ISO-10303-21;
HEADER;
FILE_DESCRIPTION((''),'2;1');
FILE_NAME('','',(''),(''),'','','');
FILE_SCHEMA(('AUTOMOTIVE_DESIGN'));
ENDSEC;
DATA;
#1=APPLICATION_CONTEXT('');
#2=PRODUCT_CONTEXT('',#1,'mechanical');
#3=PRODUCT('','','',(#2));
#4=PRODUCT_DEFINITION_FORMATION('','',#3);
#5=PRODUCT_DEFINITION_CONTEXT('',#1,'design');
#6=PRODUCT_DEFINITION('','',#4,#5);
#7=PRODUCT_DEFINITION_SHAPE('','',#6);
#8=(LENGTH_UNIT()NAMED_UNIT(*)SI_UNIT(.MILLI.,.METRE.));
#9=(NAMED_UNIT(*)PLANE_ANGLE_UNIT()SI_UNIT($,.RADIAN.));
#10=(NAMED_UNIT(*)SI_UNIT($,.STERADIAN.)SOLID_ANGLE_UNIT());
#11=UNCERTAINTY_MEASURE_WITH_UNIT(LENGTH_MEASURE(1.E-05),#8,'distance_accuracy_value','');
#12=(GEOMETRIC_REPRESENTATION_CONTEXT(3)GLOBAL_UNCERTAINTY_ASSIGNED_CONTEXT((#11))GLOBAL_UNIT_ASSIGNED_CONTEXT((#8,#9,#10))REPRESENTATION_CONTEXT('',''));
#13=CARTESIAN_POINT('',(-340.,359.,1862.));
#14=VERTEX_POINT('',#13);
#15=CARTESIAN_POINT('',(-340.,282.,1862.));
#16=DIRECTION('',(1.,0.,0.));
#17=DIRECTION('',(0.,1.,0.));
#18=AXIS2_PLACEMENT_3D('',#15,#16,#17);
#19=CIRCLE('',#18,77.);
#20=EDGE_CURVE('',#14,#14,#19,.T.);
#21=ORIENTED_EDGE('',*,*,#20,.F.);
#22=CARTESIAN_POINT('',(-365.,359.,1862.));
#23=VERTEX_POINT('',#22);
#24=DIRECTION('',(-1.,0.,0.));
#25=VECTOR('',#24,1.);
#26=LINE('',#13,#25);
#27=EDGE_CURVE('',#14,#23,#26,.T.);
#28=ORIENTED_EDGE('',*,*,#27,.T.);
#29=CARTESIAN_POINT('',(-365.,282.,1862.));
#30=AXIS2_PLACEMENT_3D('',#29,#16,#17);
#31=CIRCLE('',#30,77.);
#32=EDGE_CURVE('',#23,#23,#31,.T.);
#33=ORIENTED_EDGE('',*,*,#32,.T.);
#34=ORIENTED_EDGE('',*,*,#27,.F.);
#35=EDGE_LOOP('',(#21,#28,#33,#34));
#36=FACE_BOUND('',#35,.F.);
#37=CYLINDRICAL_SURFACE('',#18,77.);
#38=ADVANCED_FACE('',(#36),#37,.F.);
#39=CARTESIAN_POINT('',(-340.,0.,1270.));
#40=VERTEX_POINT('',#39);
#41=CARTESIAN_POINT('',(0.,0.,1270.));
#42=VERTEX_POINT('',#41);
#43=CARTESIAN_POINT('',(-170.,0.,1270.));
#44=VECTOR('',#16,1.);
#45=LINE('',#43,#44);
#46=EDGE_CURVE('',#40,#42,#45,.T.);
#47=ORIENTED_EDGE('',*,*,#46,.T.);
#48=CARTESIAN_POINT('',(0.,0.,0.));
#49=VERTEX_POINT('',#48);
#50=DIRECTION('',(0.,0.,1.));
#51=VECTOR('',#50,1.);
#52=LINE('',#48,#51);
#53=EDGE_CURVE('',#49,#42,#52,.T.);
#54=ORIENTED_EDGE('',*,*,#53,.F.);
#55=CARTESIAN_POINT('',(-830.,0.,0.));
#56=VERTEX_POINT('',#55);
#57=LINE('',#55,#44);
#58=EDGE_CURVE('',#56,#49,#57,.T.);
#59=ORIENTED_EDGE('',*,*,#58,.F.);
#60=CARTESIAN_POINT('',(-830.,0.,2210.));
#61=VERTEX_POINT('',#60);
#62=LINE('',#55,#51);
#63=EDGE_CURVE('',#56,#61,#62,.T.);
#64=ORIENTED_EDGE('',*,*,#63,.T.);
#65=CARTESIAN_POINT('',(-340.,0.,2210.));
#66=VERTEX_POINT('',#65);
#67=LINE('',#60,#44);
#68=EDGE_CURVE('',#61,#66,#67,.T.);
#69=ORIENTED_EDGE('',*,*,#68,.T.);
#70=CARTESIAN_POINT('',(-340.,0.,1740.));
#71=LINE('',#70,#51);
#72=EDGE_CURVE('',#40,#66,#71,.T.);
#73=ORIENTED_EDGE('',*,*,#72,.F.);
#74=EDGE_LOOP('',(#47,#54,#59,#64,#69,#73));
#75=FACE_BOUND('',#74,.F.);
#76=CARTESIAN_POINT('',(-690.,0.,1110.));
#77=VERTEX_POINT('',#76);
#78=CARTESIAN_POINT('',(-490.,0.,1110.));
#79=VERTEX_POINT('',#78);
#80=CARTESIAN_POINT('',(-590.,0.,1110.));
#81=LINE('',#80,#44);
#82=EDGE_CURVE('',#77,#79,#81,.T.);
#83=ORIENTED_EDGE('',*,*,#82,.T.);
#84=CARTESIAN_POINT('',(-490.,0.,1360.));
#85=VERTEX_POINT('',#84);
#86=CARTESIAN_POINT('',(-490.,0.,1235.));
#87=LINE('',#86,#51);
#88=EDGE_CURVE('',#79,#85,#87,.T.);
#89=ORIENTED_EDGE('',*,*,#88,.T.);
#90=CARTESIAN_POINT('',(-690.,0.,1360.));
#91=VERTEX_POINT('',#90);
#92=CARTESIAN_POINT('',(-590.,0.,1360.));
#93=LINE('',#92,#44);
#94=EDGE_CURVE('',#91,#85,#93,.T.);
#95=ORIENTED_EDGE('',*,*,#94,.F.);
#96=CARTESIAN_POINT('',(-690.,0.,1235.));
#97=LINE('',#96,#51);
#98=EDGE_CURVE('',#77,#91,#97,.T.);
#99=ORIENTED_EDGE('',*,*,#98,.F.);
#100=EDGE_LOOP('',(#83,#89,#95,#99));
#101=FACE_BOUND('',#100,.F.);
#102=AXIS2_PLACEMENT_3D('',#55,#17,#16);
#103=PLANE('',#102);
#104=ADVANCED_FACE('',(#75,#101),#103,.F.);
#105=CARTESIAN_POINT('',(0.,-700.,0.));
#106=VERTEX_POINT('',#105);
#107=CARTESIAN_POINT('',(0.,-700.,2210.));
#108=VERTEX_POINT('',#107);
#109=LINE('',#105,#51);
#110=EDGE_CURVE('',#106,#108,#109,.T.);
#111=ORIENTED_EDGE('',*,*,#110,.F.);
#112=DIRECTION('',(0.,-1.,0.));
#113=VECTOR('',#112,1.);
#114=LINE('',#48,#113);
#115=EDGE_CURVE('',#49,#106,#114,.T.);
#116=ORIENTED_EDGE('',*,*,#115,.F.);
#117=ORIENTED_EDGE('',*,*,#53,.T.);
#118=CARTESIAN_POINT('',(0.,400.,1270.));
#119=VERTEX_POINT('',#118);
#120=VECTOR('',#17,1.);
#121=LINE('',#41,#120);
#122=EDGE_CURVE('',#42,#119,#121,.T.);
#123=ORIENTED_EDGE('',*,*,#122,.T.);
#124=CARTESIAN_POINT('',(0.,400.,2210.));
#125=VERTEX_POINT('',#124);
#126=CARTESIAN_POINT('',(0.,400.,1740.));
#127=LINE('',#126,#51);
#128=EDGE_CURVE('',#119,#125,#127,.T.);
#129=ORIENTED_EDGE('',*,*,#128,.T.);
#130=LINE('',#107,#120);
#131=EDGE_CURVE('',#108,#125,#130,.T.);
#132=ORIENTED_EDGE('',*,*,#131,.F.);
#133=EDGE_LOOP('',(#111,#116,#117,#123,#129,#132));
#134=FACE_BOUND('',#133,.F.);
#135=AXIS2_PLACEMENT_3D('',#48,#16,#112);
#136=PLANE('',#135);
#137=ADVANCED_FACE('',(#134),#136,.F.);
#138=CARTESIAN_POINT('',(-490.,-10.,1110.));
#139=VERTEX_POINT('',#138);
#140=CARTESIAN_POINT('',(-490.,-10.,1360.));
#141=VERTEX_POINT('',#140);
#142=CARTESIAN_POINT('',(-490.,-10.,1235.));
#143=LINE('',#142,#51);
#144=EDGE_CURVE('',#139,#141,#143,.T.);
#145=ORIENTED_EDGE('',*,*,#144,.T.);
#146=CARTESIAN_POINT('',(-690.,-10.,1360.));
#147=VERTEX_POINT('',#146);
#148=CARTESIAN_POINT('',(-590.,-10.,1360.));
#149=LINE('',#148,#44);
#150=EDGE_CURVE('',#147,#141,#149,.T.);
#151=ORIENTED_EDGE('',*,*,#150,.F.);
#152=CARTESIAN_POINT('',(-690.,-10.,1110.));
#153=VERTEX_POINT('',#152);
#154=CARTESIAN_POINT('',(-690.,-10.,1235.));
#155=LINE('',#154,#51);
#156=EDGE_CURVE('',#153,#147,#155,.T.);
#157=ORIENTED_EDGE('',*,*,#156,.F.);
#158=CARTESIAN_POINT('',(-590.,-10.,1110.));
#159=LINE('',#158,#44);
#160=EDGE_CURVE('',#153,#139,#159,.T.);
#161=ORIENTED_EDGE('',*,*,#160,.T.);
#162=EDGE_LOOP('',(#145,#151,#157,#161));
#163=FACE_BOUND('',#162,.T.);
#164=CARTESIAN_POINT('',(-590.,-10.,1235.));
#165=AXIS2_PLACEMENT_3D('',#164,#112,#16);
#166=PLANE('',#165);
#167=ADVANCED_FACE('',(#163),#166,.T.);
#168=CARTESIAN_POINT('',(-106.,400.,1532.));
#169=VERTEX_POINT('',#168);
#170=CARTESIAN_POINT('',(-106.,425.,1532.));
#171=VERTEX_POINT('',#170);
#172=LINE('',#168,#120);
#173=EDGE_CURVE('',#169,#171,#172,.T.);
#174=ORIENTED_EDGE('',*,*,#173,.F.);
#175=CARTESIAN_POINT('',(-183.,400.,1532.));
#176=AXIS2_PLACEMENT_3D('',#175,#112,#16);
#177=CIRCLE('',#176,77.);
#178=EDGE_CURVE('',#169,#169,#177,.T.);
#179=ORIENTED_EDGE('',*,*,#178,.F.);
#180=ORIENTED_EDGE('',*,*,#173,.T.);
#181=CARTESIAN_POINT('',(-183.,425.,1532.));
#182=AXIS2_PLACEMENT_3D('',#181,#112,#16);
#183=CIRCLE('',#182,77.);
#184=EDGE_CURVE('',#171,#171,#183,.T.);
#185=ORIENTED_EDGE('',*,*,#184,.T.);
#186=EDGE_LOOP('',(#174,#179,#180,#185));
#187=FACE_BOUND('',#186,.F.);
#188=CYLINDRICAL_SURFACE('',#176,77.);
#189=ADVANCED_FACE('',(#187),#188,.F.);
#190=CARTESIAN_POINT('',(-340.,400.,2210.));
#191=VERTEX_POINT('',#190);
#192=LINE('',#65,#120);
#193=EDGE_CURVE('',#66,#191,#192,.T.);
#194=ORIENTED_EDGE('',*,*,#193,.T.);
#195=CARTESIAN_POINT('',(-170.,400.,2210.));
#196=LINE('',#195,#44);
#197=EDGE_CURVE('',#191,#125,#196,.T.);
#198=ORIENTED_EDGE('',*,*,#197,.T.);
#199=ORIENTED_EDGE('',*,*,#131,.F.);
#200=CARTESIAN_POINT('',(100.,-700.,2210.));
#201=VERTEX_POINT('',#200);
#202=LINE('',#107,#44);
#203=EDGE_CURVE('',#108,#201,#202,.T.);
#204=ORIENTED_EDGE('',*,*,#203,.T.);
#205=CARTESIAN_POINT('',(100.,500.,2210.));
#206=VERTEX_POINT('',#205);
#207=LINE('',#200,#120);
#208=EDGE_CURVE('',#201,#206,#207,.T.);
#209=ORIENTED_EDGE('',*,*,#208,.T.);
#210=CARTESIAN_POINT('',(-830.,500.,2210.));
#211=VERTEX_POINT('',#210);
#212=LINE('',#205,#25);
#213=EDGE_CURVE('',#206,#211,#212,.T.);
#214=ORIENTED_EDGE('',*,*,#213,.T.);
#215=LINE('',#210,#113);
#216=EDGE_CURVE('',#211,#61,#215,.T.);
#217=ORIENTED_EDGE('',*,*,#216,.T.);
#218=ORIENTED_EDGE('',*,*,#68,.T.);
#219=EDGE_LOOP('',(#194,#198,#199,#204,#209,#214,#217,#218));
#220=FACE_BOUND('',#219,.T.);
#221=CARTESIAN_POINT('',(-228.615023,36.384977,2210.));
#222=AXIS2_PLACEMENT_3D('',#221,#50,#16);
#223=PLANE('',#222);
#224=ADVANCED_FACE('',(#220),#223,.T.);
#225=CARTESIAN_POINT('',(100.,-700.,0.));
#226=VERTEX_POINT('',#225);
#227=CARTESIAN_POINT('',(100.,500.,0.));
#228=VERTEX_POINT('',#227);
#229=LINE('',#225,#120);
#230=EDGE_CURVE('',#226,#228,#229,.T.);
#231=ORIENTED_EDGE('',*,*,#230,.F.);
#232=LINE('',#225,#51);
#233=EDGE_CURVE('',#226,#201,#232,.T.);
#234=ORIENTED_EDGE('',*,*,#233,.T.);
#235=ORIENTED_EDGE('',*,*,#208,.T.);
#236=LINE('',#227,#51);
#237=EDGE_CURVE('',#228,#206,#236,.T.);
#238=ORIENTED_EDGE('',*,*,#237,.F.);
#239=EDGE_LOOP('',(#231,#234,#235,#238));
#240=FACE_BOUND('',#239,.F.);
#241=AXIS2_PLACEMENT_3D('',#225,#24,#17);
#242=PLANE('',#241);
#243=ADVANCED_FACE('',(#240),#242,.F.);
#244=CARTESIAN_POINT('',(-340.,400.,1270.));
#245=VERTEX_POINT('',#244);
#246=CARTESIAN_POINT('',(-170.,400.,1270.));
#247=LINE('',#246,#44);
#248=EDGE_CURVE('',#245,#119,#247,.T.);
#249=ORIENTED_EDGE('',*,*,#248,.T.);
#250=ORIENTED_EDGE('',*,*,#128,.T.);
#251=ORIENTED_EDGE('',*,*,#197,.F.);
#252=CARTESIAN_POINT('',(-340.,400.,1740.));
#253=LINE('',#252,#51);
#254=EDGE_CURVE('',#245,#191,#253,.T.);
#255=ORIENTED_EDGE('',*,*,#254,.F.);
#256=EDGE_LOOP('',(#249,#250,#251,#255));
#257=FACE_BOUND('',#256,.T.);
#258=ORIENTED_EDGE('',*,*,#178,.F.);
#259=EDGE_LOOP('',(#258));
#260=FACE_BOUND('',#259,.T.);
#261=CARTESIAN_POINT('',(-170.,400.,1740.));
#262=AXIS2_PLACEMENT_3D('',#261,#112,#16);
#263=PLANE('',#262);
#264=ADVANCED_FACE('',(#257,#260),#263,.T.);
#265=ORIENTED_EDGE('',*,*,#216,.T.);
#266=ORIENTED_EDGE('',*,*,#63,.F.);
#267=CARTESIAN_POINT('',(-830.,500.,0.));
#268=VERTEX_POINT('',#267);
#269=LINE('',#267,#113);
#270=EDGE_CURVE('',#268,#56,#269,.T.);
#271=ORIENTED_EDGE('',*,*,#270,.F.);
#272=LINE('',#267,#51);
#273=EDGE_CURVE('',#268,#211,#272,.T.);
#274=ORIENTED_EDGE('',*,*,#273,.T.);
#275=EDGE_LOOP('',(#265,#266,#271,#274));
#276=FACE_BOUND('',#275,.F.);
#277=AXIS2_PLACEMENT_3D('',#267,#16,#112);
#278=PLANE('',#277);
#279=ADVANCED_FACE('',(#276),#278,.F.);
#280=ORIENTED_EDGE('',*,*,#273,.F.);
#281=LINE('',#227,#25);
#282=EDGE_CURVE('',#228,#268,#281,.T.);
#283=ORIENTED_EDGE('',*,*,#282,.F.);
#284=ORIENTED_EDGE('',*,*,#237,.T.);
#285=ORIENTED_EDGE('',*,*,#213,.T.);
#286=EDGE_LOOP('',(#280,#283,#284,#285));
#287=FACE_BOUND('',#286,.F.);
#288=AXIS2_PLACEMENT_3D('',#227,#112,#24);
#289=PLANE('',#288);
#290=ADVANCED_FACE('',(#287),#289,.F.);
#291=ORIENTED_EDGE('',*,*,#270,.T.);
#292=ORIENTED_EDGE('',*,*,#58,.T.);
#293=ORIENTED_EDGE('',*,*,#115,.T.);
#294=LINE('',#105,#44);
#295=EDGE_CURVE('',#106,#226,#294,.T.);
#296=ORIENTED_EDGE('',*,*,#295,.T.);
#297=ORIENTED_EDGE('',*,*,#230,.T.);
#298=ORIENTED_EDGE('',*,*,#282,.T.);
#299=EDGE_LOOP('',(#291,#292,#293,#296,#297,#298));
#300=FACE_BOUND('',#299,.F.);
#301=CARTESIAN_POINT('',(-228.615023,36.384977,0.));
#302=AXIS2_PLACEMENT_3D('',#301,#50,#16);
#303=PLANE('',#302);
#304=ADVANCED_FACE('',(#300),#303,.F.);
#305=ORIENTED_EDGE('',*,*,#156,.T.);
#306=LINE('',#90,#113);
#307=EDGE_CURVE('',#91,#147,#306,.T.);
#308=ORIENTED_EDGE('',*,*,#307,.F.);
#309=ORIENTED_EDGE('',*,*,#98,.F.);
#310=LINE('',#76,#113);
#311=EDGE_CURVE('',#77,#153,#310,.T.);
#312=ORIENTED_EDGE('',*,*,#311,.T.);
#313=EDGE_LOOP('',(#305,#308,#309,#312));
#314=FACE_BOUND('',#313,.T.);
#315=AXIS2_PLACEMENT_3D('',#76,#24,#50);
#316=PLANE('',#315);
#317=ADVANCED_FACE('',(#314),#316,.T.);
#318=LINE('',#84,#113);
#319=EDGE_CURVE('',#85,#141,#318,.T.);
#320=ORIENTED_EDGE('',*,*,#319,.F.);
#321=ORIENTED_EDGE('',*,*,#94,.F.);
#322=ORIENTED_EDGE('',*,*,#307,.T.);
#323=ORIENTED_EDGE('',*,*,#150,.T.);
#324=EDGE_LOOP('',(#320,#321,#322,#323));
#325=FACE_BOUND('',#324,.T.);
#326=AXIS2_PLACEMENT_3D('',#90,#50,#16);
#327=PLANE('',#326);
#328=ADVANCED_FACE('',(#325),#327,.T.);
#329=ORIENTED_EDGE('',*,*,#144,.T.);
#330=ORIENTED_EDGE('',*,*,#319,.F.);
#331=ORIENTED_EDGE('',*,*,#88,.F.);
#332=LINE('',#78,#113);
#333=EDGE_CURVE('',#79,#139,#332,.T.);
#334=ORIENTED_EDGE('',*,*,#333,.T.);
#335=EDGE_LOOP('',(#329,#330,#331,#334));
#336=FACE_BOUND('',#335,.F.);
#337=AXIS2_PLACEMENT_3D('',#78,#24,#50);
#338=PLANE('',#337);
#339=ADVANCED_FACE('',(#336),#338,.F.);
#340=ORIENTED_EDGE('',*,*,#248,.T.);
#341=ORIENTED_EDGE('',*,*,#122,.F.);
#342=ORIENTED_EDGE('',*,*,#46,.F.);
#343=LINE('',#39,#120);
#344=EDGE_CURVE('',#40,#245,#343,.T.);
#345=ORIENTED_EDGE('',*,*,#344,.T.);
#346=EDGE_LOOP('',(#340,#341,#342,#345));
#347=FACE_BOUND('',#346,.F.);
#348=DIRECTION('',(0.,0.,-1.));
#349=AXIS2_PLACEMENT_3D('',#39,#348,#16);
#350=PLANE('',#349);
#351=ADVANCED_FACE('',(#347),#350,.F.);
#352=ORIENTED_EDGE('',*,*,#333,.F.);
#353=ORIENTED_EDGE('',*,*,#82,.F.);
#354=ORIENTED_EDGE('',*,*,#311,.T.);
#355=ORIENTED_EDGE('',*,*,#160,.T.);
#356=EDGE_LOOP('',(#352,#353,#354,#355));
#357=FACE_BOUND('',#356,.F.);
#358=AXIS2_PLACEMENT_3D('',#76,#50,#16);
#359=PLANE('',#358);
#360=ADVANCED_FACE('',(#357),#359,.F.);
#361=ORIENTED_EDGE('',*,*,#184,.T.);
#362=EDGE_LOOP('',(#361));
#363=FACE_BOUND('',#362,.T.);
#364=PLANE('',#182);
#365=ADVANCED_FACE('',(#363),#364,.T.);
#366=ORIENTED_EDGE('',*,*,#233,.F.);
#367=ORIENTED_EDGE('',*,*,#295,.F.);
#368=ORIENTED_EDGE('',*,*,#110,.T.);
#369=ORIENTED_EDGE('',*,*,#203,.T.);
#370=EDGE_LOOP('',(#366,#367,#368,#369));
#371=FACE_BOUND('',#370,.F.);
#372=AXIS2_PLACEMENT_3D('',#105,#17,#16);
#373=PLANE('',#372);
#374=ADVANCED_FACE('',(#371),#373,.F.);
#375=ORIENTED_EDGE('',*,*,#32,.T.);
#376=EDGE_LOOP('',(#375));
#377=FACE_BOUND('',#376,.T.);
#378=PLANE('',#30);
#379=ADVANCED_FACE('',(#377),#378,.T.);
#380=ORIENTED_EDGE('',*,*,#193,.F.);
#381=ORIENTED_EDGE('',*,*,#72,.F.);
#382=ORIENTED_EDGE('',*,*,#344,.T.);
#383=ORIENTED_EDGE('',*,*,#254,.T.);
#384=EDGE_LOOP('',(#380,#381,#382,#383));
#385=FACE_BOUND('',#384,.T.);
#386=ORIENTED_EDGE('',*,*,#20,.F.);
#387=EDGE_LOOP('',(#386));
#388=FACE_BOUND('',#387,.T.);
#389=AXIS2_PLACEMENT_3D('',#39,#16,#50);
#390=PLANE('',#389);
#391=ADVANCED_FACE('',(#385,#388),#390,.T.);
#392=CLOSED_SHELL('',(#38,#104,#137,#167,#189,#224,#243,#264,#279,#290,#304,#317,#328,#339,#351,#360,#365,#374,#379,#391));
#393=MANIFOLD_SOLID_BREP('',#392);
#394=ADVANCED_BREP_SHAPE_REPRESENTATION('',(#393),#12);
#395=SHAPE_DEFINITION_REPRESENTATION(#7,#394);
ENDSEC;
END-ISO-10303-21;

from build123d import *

# Parameters (mm, degrees)
F1_DEPTH = 2210
F2_W     = 340
F2_H     = 940
F3_DEPTH = 400
F4_R     = 77
F5_DEPTH = 25
F6_R     = 77
F7_DEPTH = 25
F8_W     = 200
F8_H     = 250
F9_DEPTH = 10


with BuildPart() as f1:
    # F0 (on Top) → F1 (new body)
    with BuildSketch(Plane.XY):
        Polygon((-830, 0), (0, 0), (0, -700), (100, -700), (100, 500), (-830, 500), align=None)
    extrude(amount=F1_DEPTH)

    # F2 (on face) → F3 (cut)
    with BuildSketch(Plane.XZ):
        with Locations((-170, 1740)):
            Rectangle(F2_W, F2_H)
    extrude(amount=-F3_DEPTH, mode=Mode.SUBTRACT)

    # F4 (on face) → F5 (cut)
    with BuildSketch(Plane.XZ.offset(-400)):
        with Locations((-183, 1532)):
            Circle(F4_R)
    extrude(amount=-F5_DEPTH, mode=Mode.SUBTRACT)

    # F6 (on face) → F7 (cut)
    with BuildSketch(Plane.YZ.offset(-340)):
        with Locations((282, 1862)):
            Circle(F6_R)
    extrude(amount=-F7_DEPTH, mode=Mode.SUBTRACT)

    # F8 (on face) → F9 (join)
    with BuildSketch(Plane.XZ):
        with Locations((-590, 1235)):
            Rectangle(F8_W, F8_H)
    extrude(amount=F9_DEPTH)


solid = f1.part
